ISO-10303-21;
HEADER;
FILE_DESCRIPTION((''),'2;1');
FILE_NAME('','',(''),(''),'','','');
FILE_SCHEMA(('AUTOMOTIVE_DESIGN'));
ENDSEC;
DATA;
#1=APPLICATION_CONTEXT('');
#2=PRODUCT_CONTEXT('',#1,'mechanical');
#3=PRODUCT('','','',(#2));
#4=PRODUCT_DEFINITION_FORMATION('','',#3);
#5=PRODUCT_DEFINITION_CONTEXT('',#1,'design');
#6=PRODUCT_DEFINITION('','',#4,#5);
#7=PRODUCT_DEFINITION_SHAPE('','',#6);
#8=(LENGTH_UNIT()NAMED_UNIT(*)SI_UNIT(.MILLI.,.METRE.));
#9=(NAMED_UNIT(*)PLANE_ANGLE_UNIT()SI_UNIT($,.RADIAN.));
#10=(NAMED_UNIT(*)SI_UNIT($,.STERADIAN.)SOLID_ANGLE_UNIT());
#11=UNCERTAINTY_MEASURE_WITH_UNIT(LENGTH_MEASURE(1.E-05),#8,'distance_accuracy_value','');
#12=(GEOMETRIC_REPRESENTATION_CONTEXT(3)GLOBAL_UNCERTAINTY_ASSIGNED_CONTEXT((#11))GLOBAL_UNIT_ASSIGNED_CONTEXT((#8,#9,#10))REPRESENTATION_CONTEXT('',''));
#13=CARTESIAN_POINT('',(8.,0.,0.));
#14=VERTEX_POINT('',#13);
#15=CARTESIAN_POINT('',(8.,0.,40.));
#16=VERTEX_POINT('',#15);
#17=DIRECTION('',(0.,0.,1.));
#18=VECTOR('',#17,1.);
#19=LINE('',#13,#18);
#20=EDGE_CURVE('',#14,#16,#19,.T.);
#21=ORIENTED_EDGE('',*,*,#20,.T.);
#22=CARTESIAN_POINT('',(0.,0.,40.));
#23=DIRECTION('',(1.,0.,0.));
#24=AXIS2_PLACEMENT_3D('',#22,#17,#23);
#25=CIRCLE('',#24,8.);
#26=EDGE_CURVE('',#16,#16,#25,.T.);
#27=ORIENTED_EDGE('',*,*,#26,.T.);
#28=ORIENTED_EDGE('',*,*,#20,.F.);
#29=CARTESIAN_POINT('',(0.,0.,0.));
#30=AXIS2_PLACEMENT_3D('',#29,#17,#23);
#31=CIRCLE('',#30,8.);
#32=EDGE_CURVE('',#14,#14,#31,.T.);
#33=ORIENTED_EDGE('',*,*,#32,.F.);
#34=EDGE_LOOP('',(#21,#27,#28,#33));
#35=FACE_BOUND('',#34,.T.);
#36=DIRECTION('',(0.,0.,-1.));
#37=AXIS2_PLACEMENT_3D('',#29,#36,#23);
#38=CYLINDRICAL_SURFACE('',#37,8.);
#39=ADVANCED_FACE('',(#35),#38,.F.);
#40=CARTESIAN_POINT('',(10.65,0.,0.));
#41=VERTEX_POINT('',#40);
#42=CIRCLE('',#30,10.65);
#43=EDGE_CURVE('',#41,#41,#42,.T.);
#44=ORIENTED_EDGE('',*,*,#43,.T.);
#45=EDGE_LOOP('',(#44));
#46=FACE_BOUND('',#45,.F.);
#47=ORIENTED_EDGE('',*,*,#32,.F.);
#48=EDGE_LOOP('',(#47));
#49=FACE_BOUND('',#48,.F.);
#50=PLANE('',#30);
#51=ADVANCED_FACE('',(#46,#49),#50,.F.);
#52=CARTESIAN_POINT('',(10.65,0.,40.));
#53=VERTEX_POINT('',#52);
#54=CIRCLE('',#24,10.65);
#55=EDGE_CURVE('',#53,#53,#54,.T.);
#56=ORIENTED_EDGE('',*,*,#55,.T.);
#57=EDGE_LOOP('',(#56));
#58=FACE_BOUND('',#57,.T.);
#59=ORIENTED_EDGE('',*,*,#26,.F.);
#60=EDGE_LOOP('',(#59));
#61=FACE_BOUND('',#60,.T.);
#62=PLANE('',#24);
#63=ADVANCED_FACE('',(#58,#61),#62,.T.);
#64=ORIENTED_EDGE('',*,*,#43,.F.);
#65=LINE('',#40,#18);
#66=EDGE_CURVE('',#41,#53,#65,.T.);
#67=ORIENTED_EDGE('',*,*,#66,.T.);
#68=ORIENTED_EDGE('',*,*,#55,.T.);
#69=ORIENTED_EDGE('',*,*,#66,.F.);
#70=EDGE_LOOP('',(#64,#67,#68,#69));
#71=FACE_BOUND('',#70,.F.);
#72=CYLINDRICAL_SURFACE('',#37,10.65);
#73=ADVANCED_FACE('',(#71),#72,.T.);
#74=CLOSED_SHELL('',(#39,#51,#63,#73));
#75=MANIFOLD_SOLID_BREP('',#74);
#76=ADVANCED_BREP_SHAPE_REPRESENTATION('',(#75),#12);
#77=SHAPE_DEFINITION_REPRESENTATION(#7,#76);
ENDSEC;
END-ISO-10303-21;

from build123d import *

# Parameters (mm, degrees)
SKIZZE1_R                       = 10.65
SKIZZE1_R_2                     = 8
AUFSATZ_LINEAR_AUSTRAGEN1_DEPTH = 40


with BuildPart() as part:
    # Skizze1 → Aufsatz-Linear austragen1 (new body)
    with BuildSketch(Plane.XY):
        Circle(SKIZZE1_R)
        Circle(SKIZZE1_R_2, mode=Mode.SUBTRACT)
    extrude(amount=AUFSATZ_LINEAR_AUSTRAGEN1_DEPTH)


solid = part.part
